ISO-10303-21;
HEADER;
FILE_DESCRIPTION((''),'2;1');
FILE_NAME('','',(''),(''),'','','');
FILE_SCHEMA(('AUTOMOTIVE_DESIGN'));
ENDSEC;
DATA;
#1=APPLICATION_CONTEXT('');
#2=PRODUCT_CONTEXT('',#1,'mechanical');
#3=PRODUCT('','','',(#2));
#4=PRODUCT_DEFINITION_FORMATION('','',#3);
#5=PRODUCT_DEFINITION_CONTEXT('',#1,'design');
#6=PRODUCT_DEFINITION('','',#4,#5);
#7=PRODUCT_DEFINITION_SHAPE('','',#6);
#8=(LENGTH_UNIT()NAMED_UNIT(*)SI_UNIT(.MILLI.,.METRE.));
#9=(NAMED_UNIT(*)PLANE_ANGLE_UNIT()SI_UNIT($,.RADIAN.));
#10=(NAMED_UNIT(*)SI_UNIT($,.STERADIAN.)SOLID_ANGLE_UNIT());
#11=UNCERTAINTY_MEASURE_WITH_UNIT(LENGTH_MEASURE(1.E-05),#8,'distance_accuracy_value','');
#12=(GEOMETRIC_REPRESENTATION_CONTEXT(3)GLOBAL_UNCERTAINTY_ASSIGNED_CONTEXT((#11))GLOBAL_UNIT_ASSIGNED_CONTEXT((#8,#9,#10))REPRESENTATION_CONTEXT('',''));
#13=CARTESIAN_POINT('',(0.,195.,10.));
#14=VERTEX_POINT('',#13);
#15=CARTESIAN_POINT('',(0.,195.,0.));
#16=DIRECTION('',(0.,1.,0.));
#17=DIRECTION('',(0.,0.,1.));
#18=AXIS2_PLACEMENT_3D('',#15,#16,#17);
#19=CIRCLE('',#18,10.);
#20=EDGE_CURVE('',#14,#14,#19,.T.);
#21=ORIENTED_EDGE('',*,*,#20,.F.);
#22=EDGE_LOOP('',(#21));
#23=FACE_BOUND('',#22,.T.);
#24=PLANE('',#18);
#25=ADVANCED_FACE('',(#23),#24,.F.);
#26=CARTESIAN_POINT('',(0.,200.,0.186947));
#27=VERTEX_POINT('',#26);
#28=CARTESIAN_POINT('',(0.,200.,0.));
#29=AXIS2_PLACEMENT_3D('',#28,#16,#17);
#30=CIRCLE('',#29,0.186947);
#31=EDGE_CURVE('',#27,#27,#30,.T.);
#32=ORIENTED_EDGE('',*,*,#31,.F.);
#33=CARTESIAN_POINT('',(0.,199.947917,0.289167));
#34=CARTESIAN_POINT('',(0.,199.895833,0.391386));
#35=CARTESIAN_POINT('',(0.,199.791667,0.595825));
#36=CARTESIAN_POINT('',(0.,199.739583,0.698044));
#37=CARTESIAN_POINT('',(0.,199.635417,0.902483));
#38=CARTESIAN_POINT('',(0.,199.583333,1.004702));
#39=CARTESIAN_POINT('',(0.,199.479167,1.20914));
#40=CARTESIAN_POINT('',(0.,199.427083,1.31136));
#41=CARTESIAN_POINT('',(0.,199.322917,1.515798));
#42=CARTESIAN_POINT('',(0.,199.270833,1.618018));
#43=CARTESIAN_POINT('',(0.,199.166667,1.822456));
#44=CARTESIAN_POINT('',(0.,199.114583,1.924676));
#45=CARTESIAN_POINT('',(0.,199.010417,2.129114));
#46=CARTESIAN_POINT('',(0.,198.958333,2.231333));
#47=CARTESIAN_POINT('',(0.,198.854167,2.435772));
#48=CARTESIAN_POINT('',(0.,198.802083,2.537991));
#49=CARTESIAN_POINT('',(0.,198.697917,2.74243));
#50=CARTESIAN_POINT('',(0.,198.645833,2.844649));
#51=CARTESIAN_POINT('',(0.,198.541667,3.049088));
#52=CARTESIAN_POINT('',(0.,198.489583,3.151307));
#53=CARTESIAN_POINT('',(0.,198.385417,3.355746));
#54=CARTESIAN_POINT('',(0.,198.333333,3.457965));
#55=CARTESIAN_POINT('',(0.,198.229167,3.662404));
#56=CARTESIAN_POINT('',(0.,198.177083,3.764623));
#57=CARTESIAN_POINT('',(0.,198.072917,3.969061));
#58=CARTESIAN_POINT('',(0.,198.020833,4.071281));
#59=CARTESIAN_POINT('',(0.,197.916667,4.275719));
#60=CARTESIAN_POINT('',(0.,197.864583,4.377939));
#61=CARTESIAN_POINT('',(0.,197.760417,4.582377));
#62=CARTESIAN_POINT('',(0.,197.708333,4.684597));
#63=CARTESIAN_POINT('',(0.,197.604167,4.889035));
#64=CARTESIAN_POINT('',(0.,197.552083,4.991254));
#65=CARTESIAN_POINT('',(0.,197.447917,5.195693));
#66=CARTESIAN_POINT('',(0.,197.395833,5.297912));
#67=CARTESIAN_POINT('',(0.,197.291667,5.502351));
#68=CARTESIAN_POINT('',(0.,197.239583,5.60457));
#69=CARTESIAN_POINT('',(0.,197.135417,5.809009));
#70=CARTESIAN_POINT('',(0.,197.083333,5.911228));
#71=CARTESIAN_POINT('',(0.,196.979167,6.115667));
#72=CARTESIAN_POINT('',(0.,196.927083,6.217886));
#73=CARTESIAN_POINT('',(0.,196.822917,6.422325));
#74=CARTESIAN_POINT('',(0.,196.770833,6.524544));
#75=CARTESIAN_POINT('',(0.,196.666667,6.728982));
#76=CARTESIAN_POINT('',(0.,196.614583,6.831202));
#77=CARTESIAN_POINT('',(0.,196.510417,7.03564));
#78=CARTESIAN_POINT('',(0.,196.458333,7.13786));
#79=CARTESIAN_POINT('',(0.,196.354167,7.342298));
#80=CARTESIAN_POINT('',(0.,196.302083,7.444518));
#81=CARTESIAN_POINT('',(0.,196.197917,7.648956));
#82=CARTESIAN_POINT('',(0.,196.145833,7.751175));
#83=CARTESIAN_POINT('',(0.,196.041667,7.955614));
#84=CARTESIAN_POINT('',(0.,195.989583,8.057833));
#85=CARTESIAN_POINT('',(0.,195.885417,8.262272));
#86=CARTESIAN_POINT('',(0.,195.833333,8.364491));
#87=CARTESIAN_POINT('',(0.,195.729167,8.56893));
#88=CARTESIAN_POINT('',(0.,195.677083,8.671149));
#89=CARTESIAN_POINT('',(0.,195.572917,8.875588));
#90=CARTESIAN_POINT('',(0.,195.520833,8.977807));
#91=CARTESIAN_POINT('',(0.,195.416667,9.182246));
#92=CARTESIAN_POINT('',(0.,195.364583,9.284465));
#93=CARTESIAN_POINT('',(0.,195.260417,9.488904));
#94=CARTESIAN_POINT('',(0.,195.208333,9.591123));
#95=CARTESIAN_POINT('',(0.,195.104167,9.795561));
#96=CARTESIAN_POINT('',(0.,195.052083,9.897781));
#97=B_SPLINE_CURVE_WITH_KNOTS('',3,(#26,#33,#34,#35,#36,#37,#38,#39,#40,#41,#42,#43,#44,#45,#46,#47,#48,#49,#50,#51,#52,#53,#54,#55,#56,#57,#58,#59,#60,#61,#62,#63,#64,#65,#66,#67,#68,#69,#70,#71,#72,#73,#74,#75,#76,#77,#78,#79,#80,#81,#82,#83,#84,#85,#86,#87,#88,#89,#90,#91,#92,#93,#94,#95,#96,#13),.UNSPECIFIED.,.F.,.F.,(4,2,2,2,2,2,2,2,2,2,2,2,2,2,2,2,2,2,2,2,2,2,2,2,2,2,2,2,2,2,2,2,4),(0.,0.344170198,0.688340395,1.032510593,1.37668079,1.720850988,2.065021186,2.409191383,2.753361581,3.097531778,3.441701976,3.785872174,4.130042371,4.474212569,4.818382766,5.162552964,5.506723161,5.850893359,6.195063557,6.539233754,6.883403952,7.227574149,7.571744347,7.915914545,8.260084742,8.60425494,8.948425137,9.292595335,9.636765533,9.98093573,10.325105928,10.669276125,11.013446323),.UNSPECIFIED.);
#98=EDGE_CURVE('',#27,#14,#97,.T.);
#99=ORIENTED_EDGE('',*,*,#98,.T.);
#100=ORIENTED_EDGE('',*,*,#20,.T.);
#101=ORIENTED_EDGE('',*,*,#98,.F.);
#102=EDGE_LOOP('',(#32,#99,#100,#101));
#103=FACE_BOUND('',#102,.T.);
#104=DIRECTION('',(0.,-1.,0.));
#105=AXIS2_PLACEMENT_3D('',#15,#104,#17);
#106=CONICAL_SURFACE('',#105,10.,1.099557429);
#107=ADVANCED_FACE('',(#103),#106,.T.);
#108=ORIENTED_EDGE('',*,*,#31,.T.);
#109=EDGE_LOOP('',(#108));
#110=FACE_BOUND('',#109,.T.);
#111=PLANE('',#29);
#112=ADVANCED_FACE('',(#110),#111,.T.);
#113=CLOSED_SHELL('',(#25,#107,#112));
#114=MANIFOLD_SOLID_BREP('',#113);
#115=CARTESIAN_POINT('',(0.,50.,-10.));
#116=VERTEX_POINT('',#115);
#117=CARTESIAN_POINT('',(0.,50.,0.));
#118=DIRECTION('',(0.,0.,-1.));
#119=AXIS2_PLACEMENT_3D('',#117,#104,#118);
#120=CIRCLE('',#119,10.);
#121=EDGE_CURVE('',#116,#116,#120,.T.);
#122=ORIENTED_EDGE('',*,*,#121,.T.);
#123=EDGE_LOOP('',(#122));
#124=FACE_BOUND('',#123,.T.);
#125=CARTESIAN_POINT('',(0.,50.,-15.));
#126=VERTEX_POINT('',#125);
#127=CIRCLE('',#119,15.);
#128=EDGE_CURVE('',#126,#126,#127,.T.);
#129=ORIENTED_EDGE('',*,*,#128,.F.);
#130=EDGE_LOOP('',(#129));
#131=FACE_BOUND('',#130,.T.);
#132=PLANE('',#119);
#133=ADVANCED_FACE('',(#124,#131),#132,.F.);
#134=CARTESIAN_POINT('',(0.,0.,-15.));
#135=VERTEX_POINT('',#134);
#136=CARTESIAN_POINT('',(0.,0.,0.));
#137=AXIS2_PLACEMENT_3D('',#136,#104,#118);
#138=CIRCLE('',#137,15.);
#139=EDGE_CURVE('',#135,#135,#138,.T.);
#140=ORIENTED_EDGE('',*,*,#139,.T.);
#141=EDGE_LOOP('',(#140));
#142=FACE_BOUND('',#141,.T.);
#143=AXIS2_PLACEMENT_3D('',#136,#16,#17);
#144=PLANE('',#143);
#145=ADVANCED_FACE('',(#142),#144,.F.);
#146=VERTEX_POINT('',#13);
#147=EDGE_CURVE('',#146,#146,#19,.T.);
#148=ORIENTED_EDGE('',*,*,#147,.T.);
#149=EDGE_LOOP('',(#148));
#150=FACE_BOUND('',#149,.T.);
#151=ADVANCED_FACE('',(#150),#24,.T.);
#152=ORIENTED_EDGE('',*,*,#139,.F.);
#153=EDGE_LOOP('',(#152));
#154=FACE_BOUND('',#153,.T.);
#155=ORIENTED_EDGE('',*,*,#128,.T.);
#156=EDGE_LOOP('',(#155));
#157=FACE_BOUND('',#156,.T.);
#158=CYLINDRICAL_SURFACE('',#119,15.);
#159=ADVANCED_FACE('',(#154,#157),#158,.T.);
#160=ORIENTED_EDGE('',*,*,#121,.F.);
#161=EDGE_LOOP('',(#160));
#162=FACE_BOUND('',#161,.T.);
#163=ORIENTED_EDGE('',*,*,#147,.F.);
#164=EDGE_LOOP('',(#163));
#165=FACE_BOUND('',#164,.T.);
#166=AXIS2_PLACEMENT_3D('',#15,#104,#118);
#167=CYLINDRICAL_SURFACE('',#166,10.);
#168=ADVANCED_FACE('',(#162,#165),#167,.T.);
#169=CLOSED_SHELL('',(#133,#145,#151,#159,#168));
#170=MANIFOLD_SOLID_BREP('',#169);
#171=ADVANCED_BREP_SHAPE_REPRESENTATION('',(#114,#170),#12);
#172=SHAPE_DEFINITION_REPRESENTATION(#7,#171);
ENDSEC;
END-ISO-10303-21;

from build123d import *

# Parameters (mm, degrees)
SZKIC1_R                    = 10
DODANIE_WYCI_GNI_CIE1_DEPTH = 195
SZKIC2_R                    = 10
DODANIE_WYCI_GNI_CIE2_DEPTH = 5
DODANIE_WYCI_GNI_CIE2_TAPER = 63
SZKIC3_R                    = 15
DODANIE_WYCI_GNI_CIE3_DEPTH = 50


with BuildPart() as part:
    # Szkic1 → Dodanie-wyciągnięcie1 (new body)
    with BuildSketch(Plane(origin=(0, 0, 0), x_dir=(1, 0, 0), z_dir=(0, 1, 0))):
        with Locations(Location((0, 0, 0), (0, 0, 270))):
            Circle(SZKIC1_R)
    extrude(amount=DODANIE_WYCI_GNI_CIE1_DEPTH)

    # Szkic3 → Dodanie-wyciągnięcie3 (add)
    with BuildSketch(Plane.XZ):
        with Locations(Location((0, 0, 0), (0, 0, 270))):
            Circle(SZKIC3_R)
    extrude(amount=-DODANIE_WYCI_GNI_CIE3_DEPTH)


with BuildPart() as body_2:
    # Szkic2 → Dodanie-wyciągnięcie2 (new body)
    with BuildSketch(Plane(origin=(0, 195, 0), x_dir=(1, 0, 0), z_dir=(0, 1, 0))):
        with Locations(Location((0, 0, 0), (0, 0, 270))):
            Circle(SZKIC2_R)
    extrude(amount=DODANIE_WYCI_GNI_CIE2_DEPTH, taper=DODANIE_WYCI_GNI_CIE2_TAPER)


solid = Compound([part.part, body_2.part])
